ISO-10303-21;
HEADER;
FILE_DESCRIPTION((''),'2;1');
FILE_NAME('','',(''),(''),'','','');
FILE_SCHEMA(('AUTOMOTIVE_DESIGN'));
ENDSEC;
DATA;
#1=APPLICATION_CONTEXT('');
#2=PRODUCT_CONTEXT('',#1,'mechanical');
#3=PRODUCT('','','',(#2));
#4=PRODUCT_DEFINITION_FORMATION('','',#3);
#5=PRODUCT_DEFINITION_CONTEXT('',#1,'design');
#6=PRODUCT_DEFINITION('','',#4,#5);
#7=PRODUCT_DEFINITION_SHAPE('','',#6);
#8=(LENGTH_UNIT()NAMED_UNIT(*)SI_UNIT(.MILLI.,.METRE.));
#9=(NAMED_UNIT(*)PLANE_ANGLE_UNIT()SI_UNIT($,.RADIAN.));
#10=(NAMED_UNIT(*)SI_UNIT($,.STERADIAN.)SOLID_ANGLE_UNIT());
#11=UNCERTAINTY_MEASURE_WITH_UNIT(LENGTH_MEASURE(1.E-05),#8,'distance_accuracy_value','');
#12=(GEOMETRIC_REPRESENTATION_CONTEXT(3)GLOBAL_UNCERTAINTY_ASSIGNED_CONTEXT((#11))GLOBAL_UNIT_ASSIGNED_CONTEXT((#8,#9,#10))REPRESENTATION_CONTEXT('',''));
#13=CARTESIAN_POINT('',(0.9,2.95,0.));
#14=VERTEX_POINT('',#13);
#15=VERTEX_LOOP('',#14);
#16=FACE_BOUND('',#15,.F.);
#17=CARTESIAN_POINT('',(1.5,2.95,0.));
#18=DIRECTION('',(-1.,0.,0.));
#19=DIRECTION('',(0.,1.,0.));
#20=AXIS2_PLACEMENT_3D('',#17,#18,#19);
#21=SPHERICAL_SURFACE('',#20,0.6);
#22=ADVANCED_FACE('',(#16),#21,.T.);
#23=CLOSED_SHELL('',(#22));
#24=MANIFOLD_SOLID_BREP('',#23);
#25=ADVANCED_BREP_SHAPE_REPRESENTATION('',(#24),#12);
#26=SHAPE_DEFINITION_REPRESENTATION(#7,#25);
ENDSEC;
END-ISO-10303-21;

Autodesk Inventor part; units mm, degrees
ref_plane "YZ Plane" through (0, 0, 0) normal (1, 0, 0) x (0, 1, 0)
ref_plane "XZ Plane" through (0, 0, 0) normal (0, 1, 0) x (-1, 0, 0)
ref_plane "XY Plane" through (0, 0, 0) normal (0, 0, 1) x (1, 0, 0)
sketch "Sketch_6" plane through (0, 0, 0) normal (0, 0, 1) x (1, 0, 0)
  line L0 (2.1, 2.95) -> (0.9, 2.95)
  arc A0 (2.1, 2.95) -> (0.9, 2.95) centre (1.5, 2.95) ccw
  line L1 (2.1, 2.95) -> (0.9, 2.95)
  dimension "d0" = 360
revolve "Revolution1" add sketch "Sketch_6" angle 360 about axis through (2.1, 2.95, 0) along (1, 0, 0)
properties part number "W 619/3-2Z_PART3"
